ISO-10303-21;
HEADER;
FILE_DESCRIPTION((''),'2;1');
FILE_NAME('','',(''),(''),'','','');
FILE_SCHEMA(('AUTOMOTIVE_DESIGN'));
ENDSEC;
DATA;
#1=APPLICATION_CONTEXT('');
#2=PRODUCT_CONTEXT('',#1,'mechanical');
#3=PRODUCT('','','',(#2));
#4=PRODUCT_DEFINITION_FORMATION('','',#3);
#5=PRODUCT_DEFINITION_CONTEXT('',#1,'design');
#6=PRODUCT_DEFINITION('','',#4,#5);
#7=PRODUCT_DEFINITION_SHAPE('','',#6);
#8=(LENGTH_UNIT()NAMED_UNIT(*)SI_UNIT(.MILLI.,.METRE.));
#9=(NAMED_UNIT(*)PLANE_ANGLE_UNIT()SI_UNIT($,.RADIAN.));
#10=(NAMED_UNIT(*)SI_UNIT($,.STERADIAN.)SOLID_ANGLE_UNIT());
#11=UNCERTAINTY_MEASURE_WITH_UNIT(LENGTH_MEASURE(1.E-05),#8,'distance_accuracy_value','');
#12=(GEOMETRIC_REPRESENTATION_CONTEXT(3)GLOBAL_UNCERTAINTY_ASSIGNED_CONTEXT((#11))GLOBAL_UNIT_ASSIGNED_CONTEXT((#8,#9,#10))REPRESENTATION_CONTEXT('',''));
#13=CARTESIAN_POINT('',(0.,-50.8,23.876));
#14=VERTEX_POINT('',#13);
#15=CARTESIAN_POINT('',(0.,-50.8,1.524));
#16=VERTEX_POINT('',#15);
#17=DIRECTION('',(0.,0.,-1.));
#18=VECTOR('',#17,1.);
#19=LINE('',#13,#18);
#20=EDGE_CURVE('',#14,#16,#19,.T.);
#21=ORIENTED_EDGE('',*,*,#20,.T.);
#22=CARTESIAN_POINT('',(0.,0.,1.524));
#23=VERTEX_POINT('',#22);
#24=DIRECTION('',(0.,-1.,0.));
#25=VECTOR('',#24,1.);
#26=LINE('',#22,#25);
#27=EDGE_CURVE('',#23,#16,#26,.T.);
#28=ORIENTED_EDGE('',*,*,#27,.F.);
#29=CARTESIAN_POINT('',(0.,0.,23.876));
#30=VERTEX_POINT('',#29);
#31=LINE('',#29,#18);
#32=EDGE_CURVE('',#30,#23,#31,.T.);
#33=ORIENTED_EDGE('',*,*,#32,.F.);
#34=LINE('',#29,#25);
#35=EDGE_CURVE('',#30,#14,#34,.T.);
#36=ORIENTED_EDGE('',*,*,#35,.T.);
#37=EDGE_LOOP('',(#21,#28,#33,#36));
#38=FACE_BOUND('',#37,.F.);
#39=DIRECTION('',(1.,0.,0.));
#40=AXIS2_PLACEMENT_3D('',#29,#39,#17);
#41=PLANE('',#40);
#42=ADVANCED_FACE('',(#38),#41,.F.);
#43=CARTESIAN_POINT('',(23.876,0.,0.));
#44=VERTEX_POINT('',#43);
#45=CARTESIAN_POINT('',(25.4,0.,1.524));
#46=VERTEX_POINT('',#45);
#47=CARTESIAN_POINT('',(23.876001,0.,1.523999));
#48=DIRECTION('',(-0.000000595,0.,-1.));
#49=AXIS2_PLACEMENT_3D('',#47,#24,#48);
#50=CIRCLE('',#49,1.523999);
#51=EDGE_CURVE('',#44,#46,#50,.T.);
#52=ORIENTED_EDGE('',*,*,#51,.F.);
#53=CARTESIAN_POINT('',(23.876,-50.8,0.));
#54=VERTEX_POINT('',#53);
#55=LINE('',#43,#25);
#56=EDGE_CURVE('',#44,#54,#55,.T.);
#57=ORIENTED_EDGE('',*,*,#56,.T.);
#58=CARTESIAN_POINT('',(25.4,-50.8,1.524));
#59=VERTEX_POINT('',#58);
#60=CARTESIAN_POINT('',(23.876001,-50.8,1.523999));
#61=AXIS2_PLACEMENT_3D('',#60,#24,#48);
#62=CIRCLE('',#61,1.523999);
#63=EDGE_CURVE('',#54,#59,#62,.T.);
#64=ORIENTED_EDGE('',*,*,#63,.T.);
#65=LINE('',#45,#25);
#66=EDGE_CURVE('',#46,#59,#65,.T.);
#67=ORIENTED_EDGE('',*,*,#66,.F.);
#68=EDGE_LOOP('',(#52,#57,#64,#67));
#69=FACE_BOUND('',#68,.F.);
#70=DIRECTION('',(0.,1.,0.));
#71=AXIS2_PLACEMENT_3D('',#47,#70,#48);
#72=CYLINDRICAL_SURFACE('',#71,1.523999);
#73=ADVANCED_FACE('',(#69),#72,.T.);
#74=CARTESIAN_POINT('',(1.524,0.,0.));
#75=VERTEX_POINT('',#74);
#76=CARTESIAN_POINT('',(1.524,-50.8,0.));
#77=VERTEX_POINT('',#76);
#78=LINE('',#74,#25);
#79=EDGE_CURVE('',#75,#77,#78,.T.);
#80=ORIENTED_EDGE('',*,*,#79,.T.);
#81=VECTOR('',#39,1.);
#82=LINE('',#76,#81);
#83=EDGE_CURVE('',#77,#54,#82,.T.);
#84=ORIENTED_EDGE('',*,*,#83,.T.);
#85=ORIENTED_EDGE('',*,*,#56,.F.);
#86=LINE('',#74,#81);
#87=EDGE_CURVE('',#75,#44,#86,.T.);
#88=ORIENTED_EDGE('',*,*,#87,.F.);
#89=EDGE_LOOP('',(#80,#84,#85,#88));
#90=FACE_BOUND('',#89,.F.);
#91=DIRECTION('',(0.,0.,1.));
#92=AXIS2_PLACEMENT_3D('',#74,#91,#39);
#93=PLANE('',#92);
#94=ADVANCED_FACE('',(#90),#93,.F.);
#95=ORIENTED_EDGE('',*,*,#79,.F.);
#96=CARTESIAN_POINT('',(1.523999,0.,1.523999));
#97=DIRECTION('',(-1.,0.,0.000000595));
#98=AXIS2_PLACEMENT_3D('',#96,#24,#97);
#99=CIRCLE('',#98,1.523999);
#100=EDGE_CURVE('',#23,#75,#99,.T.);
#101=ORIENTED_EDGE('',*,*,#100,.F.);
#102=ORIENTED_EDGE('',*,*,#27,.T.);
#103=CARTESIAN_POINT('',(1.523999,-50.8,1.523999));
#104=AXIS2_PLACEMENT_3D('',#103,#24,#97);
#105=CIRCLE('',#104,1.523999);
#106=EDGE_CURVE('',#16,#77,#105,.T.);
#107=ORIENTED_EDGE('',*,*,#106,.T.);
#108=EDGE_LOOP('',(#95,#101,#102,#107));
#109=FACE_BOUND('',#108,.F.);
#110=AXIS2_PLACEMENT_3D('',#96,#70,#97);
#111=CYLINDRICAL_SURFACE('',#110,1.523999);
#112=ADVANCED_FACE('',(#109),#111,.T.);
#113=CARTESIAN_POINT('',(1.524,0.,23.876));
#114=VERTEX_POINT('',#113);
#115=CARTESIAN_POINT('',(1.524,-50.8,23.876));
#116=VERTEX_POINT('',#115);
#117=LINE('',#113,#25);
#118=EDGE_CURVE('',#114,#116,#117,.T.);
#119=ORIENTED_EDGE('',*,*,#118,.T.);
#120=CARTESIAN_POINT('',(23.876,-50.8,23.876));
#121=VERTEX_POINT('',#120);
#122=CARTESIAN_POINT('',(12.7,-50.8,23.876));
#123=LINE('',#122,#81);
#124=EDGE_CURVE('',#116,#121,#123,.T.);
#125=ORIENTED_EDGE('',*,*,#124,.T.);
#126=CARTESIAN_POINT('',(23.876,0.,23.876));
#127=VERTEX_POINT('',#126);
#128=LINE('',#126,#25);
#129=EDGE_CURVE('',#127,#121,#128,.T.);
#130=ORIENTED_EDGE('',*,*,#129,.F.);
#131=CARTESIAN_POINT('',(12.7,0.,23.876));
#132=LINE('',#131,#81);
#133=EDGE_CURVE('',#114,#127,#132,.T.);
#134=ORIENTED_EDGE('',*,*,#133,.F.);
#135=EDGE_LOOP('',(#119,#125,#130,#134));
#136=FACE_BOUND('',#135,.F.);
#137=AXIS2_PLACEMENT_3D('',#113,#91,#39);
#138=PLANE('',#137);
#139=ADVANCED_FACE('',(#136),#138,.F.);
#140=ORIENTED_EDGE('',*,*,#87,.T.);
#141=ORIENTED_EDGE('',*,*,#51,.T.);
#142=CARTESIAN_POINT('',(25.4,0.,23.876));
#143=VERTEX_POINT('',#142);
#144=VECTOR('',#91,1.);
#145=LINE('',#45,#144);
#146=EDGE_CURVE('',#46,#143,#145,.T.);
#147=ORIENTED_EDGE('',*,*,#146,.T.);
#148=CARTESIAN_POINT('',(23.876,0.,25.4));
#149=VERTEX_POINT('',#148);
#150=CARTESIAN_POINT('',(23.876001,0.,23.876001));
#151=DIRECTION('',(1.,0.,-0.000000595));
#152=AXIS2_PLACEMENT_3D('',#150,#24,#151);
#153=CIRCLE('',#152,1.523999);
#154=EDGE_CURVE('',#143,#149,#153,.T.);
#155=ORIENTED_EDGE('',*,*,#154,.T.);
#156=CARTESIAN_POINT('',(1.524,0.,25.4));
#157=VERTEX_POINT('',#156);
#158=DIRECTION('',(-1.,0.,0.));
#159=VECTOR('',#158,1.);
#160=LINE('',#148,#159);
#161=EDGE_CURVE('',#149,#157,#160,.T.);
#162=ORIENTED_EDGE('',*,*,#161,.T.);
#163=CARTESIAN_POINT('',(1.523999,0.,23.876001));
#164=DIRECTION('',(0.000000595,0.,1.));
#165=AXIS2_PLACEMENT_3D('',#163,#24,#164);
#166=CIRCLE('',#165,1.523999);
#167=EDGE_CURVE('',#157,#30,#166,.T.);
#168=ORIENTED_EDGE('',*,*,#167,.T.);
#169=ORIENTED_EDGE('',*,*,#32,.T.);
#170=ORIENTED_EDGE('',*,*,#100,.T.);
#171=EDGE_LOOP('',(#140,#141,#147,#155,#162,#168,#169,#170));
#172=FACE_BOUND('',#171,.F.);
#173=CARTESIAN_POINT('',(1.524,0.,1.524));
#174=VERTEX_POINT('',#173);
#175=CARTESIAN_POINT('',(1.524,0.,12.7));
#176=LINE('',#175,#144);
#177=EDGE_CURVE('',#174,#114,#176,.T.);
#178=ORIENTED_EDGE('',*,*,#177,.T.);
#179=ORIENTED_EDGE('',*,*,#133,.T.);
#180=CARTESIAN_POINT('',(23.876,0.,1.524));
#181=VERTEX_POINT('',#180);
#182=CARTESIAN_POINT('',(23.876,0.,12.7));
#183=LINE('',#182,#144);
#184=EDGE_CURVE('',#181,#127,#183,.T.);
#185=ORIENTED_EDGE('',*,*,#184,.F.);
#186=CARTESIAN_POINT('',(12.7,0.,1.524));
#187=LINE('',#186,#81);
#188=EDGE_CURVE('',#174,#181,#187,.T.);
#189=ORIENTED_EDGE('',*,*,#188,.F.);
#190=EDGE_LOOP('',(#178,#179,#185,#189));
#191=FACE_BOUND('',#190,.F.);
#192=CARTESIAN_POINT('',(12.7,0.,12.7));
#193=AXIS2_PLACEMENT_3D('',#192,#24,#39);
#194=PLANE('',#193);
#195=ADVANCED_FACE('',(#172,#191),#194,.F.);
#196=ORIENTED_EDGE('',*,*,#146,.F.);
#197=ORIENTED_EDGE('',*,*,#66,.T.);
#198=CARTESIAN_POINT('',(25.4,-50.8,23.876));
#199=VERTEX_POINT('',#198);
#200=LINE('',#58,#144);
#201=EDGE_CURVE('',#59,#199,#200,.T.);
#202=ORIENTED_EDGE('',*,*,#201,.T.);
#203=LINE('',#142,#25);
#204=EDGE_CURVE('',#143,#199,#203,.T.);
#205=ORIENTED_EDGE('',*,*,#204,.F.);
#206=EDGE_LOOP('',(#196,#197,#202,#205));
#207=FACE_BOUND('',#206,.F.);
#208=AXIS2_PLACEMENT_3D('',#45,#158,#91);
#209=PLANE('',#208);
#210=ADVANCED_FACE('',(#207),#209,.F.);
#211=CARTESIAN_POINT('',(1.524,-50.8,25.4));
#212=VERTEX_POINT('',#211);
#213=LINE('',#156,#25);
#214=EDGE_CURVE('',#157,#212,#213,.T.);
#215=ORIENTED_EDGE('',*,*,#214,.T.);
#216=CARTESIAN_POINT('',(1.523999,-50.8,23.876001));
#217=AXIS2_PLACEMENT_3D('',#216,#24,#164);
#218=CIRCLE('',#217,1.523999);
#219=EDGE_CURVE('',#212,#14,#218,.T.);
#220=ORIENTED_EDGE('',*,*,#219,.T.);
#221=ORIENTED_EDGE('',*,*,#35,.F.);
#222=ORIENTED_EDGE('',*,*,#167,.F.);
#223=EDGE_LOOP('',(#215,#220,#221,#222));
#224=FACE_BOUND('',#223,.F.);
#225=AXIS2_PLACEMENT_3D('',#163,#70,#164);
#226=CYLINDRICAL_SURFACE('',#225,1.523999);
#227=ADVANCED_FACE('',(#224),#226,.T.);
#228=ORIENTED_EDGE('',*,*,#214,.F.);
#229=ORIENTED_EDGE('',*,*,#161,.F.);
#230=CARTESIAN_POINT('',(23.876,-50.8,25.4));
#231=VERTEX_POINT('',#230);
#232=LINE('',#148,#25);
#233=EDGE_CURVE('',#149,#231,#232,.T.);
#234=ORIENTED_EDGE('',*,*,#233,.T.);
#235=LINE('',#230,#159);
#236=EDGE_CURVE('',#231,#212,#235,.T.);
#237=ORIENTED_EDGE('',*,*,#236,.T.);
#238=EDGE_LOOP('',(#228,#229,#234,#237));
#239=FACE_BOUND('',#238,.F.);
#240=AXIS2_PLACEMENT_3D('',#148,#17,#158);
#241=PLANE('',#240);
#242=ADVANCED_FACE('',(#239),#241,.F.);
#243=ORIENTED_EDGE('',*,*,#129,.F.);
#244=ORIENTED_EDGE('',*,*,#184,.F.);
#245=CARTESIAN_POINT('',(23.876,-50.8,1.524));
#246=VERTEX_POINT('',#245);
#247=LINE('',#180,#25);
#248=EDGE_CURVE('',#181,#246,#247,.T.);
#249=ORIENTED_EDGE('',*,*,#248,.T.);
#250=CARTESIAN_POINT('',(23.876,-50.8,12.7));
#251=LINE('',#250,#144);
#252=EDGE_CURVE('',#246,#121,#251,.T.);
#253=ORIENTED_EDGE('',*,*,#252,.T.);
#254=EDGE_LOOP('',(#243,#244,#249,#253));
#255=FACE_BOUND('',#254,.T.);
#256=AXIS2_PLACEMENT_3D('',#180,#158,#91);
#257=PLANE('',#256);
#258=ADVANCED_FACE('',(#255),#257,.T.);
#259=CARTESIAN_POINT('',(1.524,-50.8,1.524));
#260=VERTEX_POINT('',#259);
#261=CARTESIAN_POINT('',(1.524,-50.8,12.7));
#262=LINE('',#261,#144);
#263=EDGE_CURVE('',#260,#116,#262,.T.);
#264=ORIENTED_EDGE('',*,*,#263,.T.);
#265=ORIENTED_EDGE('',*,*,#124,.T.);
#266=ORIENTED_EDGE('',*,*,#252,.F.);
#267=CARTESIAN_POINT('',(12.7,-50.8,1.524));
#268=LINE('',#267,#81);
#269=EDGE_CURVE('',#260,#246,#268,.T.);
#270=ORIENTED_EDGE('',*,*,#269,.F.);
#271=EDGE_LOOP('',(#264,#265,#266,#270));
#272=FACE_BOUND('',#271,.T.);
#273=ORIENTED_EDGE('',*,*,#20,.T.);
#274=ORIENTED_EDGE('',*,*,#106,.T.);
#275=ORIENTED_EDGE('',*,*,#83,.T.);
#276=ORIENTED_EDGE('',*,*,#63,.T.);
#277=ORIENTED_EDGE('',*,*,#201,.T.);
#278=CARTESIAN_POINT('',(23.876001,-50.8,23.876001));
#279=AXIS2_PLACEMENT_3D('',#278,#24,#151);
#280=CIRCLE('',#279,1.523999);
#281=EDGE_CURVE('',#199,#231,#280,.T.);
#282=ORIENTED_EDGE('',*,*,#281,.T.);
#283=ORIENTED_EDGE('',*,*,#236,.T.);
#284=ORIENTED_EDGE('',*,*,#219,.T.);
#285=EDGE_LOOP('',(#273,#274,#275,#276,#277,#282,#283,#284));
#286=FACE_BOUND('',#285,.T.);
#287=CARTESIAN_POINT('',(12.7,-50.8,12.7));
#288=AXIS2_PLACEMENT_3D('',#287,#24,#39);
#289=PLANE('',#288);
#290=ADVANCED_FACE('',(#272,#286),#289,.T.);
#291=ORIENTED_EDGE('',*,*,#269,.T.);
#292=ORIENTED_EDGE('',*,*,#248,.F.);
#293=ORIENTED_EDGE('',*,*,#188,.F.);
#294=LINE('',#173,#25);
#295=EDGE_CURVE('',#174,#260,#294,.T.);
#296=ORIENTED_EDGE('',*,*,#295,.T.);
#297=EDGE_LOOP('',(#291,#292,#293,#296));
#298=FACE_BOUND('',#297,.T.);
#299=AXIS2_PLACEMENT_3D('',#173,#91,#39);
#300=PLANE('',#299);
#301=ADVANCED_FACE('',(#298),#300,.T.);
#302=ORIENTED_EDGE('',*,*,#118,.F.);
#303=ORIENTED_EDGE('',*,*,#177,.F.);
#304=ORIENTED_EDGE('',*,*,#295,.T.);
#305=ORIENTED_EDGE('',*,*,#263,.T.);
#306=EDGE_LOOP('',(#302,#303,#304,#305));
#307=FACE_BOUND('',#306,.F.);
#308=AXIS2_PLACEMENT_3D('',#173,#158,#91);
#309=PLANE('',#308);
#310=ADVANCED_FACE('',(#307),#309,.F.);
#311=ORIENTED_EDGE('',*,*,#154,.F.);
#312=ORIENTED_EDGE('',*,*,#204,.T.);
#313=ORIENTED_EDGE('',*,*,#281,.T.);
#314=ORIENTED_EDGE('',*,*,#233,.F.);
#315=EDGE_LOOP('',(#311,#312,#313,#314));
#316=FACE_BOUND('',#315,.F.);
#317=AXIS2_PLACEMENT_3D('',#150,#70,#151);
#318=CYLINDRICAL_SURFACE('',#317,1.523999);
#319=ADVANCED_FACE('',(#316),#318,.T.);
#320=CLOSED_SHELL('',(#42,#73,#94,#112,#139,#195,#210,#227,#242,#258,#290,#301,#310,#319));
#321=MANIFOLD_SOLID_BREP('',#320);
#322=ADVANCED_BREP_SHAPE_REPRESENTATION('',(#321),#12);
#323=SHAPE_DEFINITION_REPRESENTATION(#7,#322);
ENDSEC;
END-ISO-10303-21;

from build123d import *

# Parameters (mm, degrees)
F0_W     = 22.352
F0_H     = 22.352
F1_DEPTH = 50.8


with BuildPart() as f1:
    # F0 (on Front) → F1 (new body)
    with BuildSketch(Plane.XZ):
        with BuildLine():
            ThreePointArc((0, 1.524), (0.446369, 0.446369), (1.524, 0))
            Line((1.524, 0), (23.876, 0))
            ThreePointArc((23.876, 0), (24.953631, 0.446369), (25.4, 1.524))
            Line((25.4, 1.524), (25.4, 23.876))
            ThreePointArc((25.4, 23.876), (24.953631, 24.953631), (23.876, 25.4))
            Line((23.876, 25.4), (1.524, 25.4))
            ThreePointArc((1.524, 25.4), (0.446369, 24.953631), (0, 23.876))
            Line((0, 23.876), (0, 1.524))
        make_face()
        with Locations((12.7, 12.7)):
            Rectangle(F0_W, F0_H, mode=Mode.SUBTRACT)
    extrude(amount=F1_DEPTH)


solid = f1.part
